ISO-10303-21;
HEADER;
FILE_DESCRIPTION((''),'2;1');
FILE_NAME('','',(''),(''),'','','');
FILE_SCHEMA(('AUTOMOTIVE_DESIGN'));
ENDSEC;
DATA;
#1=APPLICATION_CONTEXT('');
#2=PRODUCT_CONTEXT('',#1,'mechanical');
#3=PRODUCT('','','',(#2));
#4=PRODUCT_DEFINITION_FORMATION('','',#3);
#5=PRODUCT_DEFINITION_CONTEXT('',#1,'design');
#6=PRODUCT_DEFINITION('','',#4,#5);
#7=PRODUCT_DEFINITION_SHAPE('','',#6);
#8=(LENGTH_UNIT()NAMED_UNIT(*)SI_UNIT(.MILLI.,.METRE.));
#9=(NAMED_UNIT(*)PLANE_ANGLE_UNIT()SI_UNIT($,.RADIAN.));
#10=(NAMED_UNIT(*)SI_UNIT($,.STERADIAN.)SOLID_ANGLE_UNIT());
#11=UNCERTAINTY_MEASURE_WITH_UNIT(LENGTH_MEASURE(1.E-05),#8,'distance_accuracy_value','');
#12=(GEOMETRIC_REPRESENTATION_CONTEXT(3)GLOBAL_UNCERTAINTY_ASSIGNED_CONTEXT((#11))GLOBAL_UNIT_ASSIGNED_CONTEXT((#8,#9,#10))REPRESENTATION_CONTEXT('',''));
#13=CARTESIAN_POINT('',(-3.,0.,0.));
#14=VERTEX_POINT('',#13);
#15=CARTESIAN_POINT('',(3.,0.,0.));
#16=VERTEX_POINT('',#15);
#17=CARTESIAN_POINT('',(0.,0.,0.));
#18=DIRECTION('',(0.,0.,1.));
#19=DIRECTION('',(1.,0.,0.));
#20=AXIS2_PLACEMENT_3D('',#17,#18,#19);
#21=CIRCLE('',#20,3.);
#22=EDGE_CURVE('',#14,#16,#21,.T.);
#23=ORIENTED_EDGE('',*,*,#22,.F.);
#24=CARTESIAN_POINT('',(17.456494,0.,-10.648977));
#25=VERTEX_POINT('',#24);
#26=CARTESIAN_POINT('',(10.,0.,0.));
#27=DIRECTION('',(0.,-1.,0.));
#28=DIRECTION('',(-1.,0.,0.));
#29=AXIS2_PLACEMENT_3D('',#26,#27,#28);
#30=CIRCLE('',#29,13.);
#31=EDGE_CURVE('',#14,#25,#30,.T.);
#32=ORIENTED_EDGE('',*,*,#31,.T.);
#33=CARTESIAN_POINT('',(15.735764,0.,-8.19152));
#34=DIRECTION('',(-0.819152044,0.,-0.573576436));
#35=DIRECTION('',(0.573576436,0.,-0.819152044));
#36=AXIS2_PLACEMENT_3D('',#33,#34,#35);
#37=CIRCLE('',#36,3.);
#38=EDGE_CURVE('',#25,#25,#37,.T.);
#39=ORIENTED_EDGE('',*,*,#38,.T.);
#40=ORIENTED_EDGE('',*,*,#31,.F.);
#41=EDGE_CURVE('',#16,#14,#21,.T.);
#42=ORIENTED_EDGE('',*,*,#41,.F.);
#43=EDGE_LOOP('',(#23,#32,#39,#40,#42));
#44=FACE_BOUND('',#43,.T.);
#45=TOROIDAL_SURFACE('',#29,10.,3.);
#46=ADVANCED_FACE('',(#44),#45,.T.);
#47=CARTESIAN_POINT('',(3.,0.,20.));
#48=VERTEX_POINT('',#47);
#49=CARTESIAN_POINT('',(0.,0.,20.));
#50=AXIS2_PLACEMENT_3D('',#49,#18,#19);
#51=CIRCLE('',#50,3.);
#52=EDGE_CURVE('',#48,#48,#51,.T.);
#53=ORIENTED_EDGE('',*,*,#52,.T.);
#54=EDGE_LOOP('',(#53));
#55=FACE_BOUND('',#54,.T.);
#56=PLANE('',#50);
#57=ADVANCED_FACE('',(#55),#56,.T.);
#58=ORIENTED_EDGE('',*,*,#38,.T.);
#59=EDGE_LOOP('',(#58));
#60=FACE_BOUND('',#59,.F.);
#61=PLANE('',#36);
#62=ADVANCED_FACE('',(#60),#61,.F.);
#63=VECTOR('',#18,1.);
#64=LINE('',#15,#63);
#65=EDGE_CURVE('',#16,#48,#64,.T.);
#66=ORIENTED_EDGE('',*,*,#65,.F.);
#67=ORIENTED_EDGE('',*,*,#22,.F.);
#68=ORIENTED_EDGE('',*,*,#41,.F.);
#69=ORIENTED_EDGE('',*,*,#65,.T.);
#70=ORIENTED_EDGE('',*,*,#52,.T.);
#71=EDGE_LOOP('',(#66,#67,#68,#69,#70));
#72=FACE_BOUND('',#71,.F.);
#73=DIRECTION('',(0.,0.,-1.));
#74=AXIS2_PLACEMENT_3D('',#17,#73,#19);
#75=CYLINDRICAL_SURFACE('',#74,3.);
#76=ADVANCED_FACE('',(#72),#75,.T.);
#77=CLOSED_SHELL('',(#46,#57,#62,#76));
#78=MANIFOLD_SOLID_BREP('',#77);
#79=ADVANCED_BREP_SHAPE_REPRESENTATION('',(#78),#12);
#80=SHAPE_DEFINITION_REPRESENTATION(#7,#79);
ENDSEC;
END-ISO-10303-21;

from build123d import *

# Parameters (mm, degrees)
TORUS_R               = 3
TORUS_ANGLE           = 125
TORUS_ROLL_ANGLE      = -90
TORUS_PLACEMENT_ANGLE = 180
CYLINDER_R            = 3
CYLINDER_DEPTH        = 20


with BuildPart() as torus:
    # Torus → Torus (revolve)
    with BuildSketch(Plane.XZ):
        with Locations((10, 0)):
            Circle(TORUS_R)
    revolve(axis=Axis((0, 0, 0), (0, 0, 1)), revolution_arc=TORUS_ANGLE)


with BuildPart() as torus_1:
    # Torus roll: moved
    add(torus.part.rotate(Axis((0, 0, 0), (1, 0, 0)), TORUS_ROLL_ANGLE))


with BuildPart() as torus_2:
    # Torus placement: moved
    add(torus_1.part.moved(Location((10, 0, 0))).rotate(Axis((10, 0, 0), (0, 0, 1)), TORUS_PLACEMENT_ANGLE))


with BuildPart() as fusion:
    # Cylinder → Cylinder (new body)
    with BuildSketch(Plane.XY):
        Circle(CYLINDER_R)
    extrude(amount=CYLINDER_DEPTH)

    # Fusion: union Torus
    add(torus_2.part)


solid = fusion.part
